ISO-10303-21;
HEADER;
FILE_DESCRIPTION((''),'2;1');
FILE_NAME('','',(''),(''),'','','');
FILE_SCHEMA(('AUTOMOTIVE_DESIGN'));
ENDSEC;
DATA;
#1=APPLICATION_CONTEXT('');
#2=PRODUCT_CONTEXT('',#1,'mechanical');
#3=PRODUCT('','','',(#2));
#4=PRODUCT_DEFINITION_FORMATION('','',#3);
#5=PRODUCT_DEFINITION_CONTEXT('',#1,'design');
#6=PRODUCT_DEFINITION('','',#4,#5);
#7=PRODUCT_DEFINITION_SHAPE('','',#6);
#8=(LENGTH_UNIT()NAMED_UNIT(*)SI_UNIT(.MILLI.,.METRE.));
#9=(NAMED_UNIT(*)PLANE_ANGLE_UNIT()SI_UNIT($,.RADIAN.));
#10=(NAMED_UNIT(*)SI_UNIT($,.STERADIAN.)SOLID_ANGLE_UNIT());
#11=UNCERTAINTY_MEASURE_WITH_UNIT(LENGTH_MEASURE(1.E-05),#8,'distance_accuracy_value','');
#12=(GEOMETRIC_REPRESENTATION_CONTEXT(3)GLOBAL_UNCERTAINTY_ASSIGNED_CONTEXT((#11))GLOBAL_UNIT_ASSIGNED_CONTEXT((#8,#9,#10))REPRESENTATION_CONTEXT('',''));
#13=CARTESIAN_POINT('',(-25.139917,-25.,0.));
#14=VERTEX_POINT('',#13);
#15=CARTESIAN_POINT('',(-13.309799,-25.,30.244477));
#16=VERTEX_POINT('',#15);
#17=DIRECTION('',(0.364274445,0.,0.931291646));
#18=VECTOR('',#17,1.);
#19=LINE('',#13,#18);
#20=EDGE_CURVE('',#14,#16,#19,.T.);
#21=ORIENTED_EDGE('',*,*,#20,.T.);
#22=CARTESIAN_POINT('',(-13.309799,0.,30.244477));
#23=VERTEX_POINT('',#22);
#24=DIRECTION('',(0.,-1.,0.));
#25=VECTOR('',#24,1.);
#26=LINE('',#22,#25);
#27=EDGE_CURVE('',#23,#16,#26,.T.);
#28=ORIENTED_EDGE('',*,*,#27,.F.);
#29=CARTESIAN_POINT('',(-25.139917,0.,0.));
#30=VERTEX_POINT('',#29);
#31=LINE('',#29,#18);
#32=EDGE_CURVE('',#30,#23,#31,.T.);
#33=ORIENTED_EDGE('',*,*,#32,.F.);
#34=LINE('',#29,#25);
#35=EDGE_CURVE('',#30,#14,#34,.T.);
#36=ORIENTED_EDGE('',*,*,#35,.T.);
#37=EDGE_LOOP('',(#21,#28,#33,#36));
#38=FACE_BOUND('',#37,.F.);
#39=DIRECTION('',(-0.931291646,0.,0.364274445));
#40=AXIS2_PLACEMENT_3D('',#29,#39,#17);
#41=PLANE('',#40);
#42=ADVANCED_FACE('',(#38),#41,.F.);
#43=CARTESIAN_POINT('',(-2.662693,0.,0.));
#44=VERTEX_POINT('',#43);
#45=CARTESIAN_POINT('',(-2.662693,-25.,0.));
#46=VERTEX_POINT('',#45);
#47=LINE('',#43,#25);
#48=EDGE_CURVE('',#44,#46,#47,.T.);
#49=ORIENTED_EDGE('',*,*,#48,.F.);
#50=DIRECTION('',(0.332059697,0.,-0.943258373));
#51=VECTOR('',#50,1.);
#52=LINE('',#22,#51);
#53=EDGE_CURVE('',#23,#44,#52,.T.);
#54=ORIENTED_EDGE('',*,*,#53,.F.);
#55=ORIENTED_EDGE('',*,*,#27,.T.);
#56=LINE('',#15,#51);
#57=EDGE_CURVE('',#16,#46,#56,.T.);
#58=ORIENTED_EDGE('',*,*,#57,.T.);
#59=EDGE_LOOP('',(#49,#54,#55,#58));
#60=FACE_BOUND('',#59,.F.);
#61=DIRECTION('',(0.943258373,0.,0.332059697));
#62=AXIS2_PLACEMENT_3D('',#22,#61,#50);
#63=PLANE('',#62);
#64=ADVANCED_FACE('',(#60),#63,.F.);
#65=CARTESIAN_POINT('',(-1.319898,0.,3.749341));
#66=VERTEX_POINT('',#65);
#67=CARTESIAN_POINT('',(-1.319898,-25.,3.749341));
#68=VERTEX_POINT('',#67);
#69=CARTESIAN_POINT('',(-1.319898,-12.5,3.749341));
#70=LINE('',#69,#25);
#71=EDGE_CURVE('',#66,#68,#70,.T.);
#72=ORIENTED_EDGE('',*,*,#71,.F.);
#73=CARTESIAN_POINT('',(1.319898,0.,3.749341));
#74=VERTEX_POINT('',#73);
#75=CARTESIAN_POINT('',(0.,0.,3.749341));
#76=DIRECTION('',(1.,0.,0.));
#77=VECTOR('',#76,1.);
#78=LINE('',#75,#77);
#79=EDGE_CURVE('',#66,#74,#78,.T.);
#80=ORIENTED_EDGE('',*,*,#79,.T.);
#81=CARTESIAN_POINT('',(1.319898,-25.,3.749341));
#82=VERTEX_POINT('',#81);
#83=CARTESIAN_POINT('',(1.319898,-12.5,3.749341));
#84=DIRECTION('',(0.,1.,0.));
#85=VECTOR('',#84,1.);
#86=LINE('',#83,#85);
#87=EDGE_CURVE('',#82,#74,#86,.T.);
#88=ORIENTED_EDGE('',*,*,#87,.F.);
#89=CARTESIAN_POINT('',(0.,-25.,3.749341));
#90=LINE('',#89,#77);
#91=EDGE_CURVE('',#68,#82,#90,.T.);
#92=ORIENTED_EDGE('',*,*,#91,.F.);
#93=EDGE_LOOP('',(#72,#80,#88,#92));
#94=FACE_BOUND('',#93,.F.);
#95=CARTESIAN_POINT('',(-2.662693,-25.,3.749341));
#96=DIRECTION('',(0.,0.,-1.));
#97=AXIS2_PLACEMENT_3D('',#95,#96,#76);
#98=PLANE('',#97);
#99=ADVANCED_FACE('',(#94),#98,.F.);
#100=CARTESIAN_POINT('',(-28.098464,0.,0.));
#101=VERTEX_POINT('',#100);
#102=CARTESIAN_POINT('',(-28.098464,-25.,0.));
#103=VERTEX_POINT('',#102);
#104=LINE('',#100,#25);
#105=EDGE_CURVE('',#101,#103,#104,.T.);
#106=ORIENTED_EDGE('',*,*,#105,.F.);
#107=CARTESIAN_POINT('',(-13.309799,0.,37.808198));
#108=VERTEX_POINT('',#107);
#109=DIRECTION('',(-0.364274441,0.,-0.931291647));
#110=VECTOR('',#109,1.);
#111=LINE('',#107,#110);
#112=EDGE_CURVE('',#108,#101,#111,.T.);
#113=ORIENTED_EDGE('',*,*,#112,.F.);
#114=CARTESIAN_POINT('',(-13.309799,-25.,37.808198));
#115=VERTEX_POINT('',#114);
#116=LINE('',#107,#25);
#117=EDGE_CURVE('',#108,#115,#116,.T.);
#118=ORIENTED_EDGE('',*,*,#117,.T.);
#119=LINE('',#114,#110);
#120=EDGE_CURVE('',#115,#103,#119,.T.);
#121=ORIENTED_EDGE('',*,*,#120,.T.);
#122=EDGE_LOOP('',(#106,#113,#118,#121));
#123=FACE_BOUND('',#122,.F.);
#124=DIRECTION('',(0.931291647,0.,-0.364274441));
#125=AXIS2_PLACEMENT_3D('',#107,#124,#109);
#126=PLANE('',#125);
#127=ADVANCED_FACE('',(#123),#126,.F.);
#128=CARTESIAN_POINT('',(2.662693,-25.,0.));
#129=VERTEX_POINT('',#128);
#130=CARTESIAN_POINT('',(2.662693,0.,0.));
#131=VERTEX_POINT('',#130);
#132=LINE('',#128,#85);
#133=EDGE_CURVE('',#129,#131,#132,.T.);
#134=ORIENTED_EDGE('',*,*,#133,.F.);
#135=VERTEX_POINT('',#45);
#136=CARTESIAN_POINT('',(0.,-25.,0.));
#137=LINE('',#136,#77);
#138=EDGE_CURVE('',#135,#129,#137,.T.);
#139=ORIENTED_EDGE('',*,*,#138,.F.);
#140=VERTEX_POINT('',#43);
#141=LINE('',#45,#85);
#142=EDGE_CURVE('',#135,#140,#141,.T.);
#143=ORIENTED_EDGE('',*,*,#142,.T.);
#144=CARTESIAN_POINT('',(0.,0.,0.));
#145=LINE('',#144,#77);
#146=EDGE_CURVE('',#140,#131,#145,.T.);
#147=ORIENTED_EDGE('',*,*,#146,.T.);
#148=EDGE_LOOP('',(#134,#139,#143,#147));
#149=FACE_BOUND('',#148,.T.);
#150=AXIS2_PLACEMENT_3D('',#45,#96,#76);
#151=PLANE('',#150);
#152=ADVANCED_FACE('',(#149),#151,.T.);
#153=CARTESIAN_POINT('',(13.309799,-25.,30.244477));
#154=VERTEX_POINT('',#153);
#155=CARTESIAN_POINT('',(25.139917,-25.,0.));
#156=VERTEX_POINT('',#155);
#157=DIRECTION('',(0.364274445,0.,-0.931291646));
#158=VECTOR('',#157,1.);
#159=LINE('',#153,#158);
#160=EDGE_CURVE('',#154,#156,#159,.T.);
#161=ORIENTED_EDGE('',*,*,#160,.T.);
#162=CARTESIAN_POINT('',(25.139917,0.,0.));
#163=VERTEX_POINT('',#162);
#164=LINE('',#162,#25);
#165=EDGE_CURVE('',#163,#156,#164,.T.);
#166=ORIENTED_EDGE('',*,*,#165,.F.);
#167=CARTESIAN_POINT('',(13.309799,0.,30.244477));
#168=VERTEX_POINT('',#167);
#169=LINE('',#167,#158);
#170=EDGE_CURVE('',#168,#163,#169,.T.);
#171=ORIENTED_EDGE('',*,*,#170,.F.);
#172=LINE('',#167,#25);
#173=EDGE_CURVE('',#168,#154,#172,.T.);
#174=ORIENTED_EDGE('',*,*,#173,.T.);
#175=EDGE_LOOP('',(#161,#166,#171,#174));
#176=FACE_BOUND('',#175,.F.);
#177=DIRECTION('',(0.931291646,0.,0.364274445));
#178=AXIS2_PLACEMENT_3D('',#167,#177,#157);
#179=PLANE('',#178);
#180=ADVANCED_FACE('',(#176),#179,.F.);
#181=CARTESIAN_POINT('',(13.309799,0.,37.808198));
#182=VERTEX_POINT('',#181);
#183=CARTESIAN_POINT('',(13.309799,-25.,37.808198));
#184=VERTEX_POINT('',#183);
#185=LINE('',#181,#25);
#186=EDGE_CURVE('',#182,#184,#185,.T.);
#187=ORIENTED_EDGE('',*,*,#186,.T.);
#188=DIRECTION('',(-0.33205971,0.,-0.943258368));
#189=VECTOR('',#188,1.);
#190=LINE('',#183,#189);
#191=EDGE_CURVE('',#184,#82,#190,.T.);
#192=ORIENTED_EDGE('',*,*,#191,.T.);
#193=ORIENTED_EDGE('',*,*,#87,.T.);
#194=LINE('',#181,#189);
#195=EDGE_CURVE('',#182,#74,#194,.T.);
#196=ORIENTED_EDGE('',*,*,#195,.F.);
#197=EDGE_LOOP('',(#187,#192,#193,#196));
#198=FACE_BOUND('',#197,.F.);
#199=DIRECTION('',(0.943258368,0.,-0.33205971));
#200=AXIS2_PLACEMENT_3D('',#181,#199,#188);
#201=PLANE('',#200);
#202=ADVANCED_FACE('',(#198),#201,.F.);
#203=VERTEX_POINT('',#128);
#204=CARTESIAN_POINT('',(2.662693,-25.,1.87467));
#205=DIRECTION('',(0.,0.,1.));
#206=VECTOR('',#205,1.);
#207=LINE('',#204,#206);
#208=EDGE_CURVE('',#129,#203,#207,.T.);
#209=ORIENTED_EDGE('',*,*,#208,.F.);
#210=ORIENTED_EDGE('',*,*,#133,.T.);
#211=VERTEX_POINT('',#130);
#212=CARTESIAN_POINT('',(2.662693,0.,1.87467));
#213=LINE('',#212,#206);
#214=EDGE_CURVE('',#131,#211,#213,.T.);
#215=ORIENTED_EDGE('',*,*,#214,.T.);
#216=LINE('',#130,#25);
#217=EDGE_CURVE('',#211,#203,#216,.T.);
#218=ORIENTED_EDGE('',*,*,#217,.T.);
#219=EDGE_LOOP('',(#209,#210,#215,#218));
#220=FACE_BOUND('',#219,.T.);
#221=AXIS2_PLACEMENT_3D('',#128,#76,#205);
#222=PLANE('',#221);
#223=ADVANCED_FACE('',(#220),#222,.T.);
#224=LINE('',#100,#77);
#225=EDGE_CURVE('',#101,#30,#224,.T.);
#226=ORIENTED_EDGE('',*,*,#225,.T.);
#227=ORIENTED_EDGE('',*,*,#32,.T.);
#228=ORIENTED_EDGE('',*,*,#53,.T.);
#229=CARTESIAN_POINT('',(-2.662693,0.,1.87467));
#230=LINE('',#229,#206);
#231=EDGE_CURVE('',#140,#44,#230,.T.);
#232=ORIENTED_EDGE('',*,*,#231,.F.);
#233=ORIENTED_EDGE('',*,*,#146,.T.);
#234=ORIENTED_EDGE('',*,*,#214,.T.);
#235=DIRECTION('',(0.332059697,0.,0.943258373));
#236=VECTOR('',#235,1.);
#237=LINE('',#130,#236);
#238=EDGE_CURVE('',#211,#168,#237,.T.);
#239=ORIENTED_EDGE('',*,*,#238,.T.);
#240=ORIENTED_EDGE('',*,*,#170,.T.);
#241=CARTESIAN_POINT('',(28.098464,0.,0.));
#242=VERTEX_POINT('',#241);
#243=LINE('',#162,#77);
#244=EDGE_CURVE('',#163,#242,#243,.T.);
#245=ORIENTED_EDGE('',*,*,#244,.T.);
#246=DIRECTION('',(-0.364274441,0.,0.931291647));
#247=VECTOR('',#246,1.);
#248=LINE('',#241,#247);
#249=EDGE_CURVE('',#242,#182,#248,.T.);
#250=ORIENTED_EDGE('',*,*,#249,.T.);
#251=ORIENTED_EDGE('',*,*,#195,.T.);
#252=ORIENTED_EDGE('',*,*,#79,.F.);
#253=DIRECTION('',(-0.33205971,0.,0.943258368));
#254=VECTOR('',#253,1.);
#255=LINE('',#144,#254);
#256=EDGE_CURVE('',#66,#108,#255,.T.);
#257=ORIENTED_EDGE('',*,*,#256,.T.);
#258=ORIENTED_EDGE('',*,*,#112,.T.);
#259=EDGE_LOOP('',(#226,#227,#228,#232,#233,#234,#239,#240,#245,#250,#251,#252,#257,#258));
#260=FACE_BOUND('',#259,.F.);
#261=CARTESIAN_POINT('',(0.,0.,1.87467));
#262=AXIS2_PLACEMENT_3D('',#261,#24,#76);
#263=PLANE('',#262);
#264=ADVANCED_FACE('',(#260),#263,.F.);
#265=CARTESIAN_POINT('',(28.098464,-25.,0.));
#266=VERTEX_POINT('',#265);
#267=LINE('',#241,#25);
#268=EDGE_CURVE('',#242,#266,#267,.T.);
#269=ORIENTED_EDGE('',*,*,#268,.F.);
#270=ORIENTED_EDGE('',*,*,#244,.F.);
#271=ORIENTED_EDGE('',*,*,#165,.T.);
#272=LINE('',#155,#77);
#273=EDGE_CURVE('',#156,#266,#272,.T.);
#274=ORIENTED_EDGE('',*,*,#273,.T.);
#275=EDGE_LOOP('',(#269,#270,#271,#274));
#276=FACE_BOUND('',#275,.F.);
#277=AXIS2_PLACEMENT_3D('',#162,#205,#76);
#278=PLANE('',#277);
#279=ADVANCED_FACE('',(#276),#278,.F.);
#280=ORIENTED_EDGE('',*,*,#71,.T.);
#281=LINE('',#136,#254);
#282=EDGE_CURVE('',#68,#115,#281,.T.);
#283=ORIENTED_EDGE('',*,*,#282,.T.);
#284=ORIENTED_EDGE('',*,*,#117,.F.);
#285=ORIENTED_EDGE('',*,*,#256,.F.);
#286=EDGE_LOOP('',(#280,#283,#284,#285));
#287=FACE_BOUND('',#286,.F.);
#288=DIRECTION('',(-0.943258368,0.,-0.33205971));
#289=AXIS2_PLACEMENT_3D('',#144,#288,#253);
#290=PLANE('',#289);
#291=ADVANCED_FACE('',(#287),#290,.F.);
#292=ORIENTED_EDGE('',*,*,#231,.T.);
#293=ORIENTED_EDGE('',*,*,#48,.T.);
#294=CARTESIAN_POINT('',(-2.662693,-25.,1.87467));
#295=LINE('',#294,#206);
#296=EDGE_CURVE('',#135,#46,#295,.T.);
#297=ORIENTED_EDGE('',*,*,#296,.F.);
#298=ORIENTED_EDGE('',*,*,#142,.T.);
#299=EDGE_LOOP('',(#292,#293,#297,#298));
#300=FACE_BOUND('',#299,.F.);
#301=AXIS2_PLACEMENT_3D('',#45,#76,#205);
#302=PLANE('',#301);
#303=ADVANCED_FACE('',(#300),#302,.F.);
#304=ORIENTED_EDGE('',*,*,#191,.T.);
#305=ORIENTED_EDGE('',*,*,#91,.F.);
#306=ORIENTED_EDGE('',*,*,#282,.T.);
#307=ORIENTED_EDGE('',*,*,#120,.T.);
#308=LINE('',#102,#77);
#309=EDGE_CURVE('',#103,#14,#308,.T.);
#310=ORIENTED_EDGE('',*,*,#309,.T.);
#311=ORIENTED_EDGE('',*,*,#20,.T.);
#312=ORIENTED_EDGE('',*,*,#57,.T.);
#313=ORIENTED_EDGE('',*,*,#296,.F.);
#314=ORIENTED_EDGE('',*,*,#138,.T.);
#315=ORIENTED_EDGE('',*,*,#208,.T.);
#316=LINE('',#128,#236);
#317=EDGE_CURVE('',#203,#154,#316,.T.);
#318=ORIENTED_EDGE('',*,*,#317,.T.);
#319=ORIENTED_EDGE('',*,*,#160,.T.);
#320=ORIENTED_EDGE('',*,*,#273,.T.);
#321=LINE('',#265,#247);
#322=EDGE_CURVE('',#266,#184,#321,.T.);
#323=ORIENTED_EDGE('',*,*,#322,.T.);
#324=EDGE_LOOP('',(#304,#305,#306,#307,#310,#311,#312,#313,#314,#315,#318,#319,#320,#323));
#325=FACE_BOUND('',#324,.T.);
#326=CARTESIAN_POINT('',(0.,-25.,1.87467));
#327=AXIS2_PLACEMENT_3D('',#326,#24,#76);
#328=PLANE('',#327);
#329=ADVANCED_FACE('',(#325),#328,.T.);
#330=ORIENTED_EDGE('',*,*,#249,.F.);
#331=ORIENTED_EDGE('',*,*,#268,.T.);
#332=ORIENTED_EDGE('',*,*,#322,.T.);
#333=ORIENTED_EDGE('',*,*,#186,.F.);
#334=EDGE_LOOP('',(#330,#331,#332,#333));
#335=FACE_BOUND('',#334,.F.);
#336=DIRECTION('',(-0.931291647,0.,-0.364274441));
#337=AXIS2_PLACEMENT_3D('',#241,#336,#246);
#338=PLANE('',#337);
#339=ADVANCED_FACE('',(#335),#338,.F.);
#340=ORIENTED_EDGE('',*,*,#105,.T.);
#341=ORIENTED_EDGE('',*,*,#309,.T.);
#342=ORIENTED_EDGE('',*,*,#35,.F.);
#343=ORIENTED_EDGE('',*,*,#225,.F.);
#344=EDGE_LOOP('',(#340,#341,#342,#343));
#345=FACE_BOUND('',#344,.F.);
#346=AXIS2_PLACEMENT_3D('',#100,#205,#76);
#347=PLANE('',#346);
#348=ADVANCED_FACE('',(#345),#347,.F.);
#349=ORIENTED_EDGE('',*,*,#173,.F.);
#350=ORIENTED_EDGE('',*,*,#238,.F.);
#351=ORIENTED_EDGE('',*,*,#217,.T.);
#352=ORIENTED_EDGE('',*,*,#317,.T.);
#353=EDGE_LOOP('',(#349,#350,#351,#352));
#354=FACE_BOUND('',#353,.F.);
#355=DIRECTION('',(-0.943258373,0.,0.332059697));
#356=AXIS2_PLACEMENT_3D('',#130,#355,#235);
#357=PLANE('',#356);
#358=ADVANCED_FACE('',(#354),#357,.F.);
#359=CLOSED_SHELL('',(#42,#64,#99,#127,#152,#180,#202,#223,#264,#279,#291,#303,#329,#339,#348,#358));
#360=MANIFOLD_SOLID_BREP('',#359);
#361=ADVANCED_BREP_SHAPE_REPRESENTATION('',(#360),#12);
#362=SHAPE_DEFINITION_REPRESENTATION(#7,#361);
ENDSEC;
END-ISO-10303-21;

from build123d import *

# Parameters (mm, degrees)
F1_DEPTH = 25
F2_W     = 5.325386
F2_H     = 3.749341
F3_DEPTH = 25


with BuildPart() as f1:
    # F0 (on Front) → F1 (new body)
    with BuildSketch(Plane.XZ):
        Polygon((-13.309799, 37.808198), (-28.098464, 0), (-25.139917, 0), (-13.309799, 30.244477), (-2.662693, 0), (0, 0), align=None)
        Polygon((13.309799, 37.808198), (0, 0), (2.662693, 0), (13.309799, 30.244477), (25.139917, 0), (28.098464, 0), align=None)
    extrude(amount=F1_DEPTH)

    # F2 (on face) → F3 (join)
    with BuildSketch(Plane.XZ.offset(25)):
        with Locations((0, 1.87467)):
            Rectangle(F2_W, F2_H)
    extrude(amount=-F3_DEPTH)


solid = f1.part
